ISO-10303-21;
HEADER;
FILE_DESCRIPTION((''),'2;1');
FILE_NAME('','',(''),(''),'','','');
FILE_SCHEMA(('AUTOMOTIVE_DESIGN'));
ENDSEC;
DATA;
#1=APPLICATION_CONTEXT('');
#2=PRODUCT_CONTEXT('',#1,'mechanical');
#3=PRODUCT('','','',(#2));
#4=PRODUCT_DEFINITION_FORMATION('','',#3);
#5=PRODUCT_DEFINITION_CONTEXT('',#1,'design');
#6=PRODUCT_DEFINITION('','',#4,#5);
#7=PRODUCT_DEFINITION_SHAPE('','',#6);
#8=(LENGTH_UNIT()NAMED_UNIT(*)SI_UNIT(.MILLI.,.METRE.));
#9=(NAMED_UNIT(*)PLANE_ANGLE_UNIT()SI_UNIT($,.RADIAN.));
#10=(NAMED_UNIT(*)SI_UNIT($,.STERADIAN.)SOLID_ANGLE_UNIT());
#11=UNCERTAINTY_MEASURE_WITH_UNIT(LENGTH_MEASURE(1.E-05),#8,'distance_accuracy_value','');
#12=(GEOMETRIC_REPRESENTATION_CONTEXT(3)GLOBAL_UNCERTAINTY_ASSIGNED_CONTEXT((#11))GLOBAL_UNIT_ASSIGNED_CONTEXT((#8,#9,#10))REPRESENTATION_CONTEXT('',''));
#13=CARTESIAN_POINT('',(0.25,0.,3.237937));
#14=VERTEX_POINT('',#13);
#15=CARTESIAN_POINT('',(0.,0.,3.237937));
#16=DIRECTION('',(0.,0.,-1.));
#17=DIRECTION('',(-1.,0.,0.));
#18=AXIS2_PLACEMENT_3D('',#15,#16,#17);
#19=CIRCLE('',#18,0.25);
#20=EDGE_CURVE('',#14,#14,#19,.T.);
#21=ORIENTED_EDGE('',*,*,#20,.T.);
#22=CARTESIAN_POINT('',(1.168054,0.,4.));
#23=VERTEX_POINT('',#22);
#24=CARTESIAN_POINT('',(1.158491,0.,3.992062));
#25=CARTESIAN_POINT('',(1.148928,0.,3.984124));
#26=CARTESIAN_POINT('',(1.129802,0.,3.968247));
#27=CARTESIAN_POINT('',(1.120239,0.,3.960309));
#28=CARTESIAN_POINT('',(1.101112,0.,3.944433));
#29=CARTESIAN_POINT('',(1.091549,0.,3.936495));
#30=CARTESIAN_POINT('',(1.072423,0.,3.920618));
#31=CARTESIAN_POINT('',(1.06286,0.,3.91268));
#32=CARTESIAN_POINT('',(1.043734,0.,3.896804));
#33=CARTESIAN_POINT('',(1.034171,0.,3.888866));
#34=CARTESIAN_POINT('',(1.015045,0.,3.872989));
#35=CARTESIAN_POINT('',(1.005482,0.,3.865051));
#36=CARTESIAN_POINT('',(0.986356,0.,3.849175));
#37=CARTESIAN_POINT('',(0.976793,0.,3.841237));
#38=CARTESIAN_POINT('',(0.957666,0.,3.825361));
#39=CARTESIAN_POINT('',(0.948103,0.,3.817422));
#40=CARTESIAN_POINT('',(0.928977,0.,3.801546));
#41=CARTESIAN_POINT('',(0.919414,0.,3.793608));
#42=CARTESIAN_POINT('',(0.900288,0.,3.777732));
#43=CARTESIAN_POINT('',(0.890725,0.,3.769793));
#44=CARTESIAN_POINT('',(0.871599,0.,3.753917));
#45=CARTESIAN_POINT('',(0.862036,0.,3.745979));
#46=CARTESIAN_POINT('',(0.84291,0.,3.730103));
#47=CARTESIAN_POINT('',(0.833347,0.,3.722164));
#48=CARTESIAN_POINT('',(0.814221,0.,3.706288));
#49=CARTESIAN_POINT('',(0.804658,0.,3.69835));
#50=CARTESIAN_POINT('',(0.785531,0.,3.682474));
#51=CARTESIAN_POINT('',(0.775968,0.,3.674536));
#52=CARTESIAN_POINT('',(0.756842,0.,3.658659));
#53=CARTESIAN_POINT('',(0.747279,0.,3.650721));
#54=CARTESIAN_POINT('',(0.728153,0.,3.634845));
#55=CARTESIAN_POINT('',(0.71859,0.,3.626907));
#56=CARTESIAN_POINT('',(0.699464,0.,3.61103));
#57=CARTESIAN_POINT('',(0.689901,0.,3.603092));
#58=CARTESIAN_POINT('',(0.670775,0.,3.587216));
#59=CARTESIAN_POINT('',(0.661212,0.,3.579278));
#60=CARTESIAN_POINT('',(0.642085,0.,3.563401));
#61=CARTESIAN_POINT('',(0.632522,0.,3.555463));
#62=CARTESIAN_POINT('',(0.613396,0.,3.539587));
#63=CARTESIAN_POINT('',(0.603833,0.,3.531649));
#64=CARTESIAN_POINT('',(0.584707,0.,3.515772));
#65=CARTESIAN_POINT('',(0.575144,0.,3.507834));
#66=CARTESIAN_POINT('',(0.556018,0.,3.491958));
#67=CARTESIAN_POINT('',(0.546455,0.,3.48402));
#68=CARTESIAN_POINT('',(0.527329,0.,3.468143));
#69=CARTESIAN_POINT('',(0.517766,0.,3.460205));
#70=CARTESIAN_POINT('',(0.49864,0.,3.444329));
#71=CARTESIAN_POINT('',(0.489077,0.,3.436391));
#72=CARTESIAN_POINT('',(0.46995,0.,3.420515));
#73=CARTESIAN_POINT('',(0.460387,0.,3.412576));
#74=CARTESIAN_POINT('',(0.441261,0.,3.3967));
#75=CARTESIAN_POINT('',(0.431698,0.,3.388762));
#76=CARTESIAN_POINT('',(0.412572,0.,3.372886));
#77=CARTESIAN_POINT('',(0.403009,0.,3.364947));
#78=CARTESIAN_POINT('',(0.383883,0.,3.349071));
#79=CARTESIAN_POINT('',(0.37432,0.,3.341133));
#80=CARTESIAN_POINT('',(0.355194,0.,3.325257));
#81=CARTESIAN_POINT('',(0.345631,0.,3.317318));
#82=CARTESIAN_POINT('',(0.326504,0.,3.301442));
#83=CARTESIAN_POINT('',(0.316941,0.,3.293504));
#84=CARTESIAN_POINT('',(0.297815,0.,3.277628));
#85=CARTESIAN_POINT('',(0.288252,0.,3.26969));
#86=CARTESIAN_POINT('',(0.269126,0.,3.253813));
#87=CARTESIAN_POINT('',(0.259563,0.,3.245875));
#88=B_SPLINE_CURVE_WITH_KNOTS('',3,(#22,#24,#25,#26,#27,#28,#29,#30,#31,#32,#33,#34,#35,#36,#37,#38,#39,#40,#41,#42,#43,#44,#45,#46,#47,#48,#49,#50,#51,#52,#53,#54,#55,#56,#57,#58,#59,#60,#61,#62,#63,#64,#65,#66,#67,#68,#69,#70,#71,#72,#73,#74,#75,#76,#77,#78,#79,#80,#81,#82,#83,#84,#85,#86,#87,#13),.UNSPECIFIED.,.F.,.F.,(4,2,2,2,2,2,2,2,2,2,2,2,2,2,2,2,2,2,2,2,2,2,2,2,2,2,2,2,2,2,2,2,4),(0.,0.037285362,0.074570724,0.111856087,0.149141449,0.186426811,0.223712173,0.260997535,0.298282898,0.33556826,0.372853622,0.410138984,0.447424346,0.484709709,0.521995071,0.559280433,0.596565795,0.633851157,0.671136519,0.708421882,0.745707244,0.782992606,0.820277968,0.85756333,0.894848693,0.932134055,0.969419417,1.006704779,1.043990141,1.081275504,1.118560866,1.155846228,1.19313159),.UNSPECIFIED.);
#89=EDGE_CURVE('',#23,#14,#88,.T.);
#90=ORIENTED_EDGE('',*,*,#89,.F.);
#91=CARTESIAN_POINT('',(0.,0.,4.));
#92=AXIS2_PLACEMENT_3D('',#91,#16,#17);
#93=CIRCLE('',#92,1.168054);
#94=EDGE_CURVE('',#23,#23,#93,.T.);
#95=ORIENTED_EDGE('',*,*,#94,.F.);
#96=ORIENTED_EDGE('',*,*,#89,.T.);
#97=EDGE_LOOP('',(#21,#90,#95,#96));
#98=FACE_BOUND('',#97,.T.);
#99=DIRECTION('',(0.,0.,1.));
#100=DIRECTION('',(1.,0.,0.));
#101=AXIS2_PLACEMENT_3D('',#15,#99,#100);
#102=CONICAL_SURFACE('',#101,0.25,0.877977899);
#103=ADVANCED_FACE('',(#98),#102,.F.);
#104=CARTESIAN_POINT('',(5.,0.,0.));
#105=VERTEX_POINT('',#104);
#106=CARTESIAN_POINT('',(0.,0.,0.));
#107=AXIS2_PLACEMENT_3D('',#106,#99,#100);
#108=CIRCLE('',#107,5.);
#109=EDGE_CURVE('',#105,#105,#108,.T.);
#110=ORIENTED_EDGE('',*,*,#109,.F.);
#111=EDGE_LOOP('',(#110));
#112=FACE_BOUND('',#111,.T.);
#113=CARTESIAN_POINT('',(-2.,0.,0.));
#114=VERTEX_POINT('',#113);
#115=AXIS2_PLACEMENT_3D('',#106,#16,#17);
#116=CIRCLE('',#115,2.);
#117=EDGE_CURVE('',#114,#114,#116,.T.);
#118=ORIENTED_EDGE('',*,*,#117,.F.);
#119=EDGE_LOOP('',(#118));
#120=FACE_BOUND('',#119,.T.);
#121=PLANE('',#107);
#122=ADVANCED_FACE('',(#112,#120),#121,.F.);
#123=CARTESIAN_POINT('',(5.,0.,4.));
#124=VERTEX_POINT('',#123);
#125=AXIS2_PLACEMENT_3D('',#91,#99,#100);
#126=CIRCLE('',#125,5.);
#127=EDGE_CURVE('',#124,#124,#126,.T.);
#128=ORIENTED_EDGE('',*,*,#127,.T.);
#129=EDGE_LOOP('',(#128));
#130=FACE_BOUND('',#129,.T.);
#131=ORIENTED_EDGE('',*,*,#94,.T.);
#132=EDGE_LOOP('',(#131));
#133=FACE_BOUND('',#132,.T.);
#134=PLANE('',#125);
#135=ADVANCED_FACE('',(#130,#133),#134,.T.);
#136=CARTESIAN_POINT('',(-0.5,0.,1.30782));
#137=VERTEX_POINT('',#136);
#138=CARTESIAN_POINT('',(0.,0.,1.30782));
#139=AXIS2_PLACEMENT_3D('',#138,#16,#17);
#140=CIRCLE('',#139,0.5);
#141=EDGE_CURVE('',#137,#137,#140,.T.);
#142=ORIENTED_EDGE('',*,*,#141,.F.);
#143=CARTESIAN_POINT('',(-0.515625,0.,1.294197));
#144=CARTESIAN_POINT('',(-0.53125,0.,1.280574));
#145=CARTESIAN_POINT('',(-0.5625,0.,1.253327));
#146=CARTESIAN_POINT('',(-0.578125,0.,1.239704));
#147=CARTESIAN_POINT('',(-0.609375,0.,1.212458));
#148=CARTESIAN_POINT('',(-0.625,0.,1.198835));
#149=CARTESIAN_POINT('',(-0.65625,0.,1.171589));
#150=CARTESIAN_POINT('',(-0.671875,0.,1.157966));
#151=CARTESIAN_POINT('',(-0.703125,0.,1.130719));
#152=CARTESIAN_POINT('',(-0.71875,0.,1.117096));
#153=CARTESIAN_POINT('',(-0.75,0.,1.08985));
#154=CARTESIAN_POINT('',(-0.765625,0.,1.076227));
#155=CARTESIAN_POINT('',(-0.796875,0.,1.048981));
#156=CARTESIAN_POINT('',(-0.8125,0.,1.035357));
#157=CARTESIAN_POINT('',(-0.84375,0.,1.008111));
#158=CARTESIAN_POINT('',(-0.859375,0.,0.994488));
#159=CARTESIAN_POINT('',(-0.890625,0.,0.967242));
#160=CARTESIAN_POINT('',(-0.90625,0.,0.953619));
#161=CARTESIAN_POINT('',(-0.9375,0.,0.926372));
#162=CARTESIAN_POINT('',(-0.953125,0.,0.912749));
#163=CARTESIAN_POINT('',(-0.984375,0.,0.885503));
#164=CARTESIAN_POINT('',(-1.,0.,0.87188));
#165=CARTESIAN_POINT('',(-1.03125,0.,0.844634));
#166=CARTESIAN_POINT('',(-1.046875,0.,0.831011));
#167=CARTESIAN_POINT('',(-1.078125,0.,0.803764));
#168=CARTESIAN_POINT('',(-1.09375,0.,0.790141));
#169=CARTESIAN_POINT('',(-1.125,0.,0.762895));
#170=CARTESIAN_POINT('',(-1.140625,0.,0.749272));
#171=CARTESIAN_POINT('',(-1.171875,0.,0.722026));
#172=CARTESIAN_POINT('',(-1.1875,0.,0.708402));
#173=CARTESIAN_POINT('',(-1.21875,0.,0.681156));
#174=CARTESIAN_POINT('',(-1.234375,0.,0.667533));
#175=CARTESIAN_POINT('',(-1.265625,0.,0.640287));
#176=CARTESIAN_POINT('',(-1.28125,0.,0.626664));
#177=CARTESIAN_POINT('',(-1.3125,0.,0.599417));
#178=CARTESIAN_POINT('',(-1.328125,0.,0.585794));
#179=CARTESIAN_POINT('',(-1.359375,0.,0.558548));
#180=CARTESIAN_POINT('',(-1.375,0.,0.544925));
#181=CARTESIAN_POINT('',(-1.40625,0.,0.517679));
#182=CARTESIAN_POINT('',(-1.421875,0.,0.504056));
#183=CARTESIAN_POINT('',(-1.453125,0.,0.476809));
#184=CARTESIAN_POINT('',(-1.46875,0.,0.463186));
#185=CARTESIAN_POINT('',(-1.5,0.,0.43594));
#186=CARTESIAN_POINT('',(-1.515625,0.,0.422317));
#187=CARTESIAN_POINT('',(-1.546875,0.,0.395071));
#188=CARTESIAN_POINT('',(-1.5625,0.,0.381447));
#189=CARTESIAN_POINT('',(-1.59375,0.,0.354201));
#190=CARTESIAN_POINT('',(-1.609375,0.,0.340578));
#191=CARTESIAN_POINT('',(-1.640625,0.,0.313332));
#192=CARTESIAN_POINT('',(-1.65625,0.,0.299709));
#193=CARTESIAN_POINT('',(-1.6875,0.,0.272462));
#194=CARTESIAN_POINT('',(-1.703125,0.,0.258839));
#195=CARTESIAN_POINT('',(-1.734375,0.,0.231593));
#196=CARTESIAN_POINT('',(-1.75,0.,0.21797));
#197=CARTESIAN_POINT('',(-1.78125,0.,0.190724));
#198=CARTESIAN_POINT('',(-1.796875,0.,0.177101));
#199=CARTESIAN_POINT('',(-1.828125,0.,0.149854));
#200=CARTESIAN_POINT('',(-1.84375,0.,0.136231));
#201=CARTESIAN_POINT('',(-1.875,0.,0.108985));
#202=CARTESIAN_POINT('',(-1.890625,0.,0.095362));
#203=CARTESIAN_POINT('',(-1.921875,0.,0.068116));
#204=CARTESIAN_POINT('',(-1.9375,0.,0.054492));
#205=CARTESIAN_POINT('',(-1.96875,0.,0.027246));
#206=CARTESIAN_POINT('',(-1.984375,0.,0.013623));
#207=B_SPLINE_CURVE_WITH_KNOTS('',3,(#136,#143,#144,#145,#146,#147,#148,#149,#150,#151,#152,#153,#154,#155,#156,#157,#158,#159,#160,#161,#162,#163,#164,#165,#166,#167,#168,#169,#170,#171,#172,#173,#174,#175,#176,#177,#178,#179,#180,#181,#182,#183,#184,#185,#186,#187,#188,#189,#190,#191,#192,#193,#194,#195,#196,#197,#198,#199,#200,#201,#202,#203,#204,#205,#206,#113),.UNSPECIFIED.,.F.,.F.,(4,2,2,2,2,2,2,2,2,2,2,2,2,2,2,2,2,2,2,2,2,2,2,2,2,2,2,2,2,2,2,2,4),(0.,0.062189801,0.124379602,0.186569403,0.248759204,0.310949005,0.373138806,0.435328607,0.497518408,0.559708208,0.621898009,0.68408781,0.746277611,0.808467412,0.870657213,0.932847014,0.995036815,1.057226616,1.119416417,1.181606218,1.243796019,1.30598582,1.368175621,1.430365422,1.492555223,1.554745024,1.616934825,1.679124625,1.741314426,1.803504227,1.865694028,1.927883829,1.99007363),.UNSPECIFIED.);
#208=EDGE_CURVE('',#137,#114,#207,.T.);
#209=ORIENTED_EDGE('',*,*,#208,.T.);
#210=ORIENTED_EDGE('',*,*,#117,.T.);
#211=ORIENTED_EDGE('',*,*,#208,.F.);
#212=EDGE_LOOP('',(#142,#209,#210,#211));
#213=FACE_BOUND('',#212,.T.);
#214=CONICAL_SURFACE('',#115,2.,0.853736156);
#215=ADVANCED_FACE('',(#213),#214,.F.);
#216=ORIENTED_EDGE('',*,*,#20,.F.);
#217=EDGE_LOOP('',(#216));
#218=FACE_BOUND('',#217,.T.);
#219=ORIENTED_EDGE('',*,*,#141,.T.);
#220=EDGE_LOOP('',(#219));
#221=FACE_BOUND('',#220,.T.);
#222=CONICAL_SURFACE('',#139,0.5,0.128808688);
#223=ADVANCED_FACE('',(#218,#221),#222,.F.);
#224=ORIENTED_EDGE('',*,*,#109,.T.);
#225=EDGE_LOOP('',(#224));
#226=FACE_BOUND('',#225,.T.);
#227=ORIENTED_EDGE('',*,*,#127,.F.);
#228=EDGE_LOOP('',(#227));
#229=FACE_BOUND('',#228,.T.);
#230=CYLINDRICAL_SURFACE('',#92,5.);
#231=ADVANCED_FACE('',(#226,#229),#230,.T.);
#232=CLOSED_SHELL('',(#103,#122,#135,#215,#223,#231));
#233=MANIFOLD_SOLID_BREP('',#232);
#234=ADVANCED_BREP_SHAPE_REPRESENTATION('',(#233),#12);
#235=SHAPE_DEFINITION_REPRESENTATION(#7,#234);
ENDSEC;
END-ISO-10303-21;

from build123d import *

# Parameters (mm, degrees)
SKETCH1_R           = 5
BOSS_EXTRUDE1_DEPTH = 4


with BuildPart() as part:
    # Sketch1 → Boss-Extrude1 (new body)
    with BuildSketch(Plane.XY):
        Circle(SKETCH1_R)
    extrude(amount=BOSS_EXTRUDE1_DEPTH)

    # Sketch2 → Cut-Revolve1 (revolve, cut)
    with BuildSketch(Plane(origin=(0, 0, 0), x_dir=(0, 0, -1), z_dir=(1, 0, 0)), mode=Mode.PRIVATE) as cut_revolve1_sk:
        Polygon((-4, 1.168053814), (-3.237936888, 0.25), (-1.307819962, 0.5), (0, 2), (0, 0), (-4, 0), align=None)
    revolve(cut_revolve1_sk.sketch.rotate(Axis((0, 0, 0), (0, 0, 1)), 90), axis=Axis((0, 0, 0), (0, 0, 1)), mode=Mode.SUBTRACT)


solid = part.part
